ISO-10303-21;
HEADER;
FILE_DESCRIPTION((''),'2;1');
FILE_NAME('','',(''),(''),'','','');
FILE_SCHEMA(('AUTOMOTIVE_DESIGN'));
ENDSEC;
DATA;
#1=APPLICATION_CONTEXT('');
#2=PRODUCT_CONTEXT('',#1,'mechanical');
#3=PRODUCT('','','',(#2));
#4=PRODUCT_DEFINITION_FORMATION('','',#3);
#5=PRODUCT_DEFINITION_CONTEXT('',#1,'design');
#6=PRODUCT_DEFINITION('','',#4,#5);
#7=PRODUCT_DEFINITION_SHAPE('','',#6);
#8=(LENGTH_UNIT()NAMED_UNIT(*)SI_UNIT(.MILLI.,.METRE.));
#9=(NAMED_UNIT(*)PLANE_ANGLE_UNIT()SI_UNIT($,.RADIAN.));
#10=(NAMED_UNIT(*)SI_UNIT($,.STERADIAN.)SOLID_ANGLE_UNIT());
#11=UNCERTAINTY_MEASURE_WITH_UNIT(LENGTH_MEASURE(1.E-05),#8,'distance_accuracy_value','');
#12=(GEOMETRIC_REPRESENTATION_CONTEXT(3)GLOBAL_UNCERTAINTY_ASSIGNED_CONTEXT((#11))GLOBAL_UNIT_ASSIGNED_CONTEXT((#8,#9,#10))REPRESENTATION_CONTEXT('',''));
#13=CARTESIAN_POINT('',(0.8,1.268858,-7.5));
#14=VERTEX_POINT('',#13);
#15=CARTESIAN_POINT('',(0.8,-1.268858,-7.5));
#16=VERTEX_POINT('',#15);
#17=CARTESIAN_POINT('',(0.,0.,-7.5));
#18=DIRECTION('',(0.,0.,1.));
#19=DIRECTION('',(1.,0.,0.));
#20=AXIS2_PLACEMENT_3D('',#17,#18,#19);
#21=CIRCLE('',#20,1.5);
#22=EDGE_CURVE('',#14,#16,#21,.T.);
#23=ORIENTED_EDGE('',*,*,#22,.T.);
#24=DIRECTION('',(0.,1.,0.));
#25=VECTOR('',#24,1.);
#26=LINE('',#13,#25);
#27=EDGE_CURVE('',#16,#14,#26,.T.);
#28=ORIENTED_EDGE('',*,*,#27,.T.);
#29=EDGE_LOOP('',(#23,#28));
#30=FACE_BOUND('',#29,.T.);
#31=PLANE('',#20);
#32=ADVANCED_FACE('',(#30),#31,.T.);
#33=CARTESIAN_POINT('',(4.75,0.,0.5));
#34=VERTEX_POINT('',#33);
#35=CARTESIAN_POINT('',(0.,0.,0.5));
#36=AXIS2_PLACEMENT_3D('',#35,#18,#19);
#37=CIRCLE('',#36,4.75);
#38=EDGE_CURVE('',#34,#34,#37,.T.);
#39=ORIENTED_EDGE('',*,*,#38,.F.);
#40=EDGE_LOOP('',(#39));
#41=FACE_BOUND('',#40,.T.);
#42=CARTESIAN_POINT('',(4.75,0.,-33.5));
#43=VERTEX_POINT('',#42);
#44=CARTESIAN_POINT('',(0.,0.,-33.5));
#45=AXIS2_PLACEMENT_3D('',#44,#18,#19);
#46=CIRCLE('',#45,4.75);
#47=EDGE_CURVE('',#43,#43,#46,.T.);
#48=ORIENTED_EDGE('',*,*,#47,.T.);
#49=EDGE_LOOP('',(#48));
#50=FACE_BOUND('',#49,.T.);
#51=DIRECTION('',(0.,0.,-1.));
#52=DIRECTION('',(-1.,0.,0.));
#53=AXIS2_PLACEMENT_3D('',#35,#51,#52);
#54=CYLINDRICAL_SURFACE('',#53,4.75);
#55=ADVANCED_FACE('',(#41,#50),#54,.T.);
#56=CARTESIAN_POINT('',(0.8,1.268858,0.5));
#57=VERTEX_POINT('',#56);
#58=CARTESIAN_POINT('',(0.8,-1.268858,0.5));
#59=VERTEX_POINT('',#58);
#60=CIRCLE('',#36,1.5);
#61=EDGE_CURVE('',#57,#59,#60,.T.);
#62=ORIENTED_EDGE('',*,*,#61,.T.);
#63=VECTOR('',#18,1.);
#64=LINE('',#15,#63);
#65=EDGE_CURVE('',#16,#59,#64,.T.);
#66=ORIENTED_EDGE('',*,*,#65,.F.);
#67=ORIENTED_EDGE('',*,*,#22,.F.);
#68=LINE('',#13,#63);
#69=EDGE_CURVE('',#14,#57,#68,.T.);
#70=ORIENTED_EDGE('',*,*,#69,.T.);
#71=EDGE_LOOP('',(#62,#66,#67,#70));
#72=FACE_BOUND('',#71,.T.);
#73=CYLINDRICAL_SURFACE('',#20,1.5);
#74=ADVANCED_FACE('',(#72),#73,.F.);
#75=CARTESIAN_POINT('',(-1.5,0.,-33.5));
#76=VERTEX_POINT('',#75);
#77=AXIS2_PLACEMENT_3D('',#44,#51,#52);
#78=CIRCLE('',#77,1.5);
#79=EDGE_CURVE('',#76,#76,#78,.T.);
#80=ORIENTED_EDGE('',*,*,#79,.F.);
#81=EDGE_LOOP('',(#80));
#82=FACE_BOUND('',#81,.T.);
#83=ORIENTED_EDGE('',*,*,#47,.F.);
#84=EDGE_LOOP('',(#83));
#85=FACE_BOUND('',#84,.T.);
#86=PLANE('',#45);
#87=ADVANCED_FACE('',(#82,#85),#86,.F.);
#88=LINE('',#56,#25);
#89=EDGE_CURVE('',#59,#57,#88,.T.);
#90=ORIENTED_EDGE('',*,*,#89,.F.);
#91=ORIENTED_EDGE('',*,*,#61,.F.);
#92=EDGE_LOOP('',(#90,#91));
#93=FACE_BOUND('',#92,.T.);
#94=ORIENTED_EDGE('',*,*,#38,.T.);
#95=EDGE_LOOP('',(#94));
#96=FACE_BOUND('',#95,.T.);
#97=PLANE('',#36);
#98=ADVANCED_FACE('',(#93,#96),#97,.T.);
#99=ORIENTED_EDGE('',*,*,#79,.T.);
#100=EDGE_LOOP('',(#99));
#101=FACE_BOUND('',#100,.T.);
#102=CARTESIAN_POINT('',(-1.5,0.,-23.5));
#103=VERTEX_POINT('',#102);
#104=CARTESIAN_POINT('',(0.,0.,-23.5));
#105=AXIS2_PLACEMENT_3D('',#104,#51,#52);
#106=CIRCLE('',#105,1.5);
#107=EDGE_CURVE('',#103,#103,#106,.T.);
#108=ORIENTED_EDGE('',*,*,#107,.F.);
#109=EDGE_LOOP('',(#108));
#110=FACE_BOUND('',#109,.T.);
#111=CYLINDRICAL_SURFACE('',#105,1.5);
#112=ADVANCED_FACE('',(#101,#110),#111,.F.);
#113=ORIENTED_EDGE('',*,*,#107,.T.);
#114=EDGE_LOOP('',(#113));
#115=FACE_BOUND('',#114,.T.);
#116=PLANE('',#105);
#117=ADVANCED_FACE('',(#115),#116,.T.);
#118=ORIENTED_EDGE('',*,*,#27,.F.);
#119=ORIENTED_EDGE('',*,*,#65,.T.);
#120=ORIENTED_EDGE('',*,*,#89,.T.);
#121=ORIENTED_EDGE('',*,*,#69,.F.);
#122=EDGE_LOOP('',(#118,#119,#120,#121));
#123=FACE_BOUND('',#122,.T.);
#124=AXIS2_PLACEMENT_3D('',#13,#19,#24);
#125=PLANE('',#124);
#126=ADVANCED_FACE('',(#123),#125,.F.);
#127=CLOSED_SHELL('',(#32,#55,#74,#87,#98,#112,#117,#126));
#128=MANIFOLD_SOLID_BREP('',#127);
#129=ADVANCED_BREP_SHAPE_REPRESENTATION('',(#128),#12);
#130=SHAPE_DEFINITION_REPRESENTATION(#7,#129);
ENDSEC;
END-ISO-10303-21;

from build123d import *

# Parameters (mm, degrees)
EXTRUDE_1_DEPTH      = 0.5
EXTRUDE_1_DEPTH_BACK = 33.5
SKETCH_1_R           = 4.75
SKETCH_2_R           = 1.5
CUT_EXTRUDE_1_DEPTH  = 10
CUT_EXTRUDE_START    = -8
CUT_EXTRUDE_2_DEPTH  = 8


with BuildPart() as part:
    # 草图1 → 凸台-拉伸1 (new, two sides: drawn at the far end of the back side and taken through both)
    with BuildSketch(Plane.XY.offset(-EXTRUDE_1_DEPTH_BACK)):
        Circle(SKETCH_1_R)
    extrude(amount=EXTRUDE_1_DEPTH + EXTRUDE_1_DEPTH_BACK)

    # 草图2 → 切除-拉伸1 (cut)
    with BuildSketch(Plane(origin=(0, 0, -33.5), x_dir=(-1, 0, 0), z_dir=(0, 0, -1))):
        Circle(SKETCH_2_R)
    extrude(amount=-CUT_EXTRUDE_1_DEPTH, mode=Mode.SUBTRACT)

    # 草图3 → 切除-拉伸2 (cut)
    with BuildSketch(Plane.XY.offset(0.5).offset(CUT_EXTRUDE_START)):
        with BuildLine():
            Line((0.8, 1.268857754), (0.8, -1.268857754))
            ThreePointArc((0.8, -1.268857754), (-1.5, 0), (0.8, 1.268857754))
        make_face()
    extrude(amount=CUT_EXTRUDE_2_DEPTH, mode=Mode.SUBTRACT)


solid = part.part
